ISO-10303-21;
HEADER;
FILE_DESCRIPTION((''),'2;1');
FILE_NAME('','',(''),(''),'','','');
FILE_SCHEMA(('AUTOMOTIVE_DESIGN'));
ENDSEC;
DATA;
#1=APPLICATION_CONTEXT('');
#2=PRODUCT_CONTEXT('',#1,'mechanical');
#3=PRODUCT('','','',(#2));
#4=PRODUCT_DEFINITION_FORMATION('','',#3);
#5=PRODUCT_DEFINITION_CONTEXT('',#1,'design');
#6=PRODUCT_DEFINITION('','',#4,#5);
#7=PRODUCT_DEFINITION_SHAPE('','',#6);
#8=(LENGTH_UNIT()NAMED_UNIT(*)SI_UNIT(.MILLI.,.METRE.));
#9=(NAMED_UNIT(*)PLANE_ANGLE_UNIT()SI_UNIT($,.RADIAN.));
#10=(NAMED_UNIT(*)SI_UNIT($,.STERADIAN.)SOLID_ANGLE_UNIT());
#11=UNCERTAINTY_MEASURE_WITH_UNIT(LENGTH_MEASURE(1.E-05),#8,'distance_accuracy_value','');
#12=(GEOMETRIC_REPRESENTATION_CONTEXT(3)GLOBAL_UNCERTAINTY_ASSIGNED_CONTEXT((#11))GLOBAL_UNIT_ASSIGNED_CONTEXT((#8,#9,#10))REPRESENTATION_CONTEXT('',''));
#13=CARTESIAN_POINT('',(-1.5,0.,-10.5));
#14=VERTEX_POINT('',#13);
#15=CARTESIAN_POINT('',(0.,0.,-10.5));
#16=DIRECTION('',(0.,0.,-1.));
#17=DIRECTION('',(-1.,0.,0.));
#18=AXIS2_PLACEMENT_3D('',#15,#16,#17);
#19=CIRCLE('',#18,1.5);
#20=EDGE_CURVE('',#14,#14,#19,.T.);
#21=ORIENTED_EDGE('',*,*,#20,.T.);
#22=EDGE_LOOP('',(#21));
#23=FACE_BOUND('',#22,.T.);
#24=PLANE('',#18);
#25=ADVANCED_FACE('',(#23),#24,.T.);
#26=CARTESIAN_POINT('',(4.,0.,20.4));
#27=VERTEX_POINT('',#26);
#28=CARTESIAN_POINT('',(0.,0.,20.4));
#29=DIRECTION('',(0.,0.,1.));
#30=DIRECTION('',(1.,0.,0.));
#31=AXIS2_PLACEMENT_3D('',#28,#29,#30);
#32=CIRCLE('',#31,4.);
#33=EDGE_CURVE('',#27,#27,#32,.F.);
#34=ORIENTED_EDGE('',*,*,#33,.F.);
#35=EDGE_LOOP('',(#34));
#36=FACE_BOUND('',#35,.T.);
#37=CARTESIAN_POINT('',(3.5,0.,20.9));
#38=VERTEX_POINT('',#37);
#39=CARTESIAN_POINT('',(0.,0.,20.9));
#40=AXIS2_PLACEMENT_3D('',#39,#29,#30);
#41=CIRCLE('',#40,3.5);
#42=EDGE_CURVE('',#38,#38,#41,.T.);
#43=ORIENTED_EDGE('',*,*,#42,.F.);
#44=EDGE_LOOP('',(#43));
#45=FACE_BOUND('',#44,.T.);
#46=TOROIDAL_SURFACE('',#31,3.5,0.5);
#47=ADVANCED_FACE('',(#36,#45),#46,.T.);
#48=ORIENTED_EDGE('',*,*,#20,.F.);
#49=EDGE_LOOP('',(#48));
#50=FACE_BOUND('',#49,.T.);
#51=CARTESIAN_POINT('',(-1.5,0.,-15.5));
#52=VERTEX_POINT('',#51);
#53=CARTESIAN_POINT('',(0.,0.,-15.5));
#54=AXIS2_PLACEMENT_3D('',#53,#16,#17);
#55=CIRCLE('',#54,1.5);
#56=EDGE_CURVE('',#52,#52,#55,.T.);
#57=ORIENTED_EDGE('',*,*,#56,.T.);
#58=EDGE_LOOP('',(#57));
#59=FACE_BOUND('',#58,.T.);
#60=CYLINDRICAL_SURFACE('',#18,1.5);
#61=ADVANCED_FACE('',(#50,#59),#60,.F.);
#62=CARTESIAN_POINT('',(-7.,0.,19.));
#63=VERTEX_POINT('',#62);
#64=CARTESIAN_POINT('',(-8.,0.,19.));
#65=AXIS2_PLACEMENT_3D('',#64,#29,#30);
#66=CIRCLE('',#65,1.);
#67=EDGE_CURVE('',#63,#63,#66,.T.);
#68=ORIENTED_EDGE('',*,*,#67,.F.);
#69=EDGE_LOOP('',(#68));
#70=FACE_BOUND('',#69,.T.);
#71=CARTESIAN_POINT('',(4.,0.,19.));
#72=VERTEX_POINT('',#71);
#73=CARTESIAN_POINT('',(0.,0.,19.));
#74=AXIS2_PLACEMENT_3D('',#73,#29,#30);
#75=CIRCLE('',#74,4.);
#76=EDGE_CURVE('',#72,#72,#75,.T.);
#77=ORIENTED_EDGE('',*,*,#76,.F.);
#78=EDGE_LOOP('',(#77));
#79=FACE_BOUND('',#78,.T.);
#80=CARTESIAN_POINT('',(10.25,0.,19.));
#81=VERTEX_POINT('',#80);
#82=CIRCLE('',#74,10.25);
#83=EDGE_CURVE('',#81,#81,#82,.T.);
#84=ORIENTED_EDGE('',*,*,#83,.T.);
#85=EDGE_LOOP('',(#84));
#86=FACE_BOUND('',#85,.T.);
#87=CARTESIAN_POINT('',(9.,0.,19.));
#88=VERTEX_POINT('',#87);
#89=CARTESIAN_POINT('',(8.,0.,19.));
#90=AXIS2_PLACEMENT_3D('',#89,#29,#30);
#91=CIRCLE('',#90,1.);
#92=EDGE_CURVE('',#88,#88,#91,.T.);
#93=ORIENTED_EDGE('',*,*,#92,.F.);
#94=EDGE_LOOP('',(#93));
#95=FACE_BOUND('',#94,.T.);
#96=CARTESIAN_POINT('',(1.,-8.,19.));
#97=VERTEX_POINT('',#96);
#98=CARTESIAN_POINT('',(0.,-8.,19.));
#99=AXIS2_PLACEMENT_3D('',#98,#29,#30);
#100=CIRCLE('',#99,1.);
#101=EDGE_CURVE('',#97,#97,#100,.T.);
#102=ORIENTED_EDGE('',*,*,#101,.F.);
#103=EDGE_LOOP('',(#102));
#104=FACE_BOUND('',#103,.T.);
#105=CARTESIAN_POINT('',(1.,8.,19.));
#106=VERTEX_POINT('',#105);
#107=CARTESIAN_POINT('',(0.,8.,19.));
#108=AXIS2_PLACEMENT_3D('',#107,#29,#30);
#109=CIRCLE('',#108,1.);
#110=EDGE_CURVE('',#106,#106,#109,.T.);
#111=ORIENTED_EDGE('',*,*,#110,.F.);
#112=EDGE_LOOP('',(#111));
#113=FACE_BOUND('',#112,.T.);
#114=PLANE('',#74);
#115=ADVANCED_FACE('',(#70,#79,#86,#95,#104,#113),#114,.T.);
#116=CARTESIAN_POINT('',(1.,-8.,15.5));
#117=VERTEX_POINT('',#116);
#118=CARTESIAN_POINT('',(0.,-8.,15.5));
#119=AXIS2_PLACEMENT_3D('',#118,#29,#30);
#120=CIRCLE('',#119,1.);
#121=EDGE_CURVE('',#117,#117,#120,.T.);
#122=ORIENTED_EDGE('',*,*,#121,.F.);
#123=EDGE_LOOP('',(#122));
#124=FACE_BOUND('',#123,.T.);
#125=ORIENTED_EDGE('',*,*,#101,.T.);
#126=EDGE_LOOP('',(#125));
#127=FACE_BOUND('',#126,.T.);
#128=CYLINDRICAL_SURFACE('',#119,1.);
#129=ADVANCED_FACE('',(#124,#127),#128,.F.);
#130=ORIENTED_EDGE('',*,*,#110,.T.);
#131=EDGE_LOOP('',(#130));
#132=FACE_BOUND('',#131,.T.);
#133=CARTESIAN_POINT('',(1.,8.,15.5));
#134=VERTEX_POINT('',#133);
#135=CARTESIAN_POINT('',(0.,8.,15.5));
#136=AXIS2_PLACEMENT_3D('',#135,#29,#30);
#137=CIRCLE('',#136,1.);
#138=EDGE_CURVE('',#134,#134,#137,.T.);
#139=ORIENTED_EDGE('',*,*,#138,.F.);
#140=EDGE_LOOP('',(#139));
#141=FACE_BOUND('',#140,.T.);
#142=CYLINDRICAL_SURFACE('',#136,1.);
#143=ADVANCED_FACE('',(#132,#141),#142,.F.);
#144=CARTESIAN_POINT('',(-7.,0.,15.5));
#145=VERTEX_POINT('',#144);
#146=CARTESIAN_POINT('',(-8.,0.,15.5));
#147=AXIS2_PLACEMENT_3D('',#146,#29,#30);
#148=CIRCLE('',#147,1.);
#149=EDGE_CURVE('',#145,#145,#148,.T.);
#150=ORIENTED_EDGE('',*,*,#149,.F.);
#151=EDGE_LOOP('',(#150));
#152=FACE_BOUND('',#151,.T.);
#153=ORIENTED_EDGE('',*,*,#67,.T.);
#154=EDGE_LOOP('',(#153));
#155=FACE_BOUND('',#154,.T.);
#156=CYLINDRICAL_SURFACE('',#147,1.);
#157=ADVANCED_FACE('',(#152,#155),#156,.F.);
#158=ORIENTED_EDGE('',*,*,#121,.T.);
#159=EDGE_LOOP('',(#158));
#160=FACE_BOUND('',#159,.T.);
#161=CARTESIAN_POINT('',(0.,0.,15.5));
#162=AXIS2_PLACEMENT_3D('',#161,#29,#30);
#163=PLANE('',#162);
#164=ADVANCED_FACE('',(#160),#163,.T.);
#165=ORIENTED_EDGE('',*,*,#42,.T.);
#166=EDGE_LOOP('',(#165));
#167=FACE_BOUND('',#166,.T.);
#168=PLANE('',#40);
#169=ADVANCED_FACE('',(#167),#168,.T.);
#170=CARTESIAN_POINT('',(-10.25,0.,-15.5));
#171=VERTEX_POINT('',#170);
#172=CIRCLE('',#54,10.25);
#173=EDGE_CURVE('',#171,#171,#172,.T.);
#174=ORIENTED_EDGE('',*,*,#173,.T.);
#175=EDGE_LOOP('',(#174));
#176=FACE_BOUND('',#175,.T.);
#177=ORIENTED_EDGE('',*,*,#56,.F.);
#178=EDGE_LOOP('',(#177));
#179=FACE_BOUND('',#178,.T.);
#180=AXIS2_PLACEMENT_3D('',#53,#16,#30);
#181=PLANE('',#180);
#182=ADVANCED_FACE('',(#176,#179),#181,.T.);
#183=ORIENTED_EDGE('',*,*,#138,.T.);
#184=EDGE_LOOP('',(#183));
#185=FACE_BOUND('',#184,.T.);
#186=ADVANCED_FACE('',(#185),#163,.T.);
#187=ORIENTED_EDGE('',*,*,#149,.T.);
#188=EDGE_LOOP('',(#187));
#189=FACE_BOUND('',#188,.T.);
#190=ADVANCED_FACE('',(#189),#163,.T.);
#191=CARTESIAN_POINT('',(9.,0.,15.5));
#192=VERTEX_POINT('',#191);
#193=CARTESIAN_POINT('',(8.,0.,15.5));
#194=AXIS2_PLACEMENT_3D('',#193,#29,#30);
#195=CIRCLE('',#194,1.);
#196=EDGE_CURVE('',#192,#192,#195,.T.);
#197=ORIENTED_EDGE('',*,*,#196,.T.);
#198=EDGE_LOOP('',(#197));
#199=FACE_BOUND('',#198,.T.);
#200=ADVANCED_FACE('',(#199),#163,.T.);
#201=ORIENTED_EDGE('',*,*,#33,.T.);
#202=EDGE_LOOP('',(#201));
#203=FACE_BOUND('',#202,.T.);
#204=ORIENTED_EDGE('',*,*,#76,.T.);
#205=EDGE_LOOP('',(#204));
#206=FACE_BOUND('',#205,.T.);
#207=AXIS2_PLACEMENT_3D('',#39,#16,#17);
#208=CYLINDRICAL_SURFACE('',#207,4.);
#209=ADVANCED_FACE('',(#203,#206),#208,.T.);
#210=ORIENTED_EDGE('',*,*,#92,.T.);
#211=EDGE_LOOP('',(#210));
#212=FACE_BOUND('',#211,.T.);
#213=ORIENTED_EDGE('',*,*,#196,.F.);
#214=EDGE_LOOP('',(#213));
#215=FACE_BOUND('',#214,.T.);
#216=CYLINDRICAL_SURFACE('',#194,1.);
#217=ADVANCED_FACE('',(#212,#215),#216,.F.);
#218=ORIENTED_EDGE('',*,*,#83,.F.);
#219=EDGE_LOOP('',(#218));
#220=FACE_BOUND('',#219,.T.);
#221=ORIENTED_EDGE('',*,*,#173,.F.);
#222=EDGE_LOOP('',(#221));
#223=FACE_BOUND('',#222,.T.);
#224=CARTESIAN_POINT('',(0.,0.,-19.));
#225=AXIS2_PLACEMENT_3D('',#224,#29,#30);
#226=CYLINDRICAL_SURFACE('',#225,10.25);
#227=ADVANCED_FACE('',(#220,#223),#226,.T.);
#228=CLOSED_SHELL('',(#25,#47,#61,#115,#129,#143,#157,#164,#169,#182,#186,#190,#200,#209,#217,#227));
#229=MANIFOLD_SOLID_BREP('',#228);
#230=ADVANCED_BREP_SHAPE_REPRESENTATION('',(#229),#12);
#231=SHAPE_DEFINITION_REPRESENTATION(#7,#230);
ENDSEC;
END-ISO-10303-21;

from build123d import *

# Parameters (mm, degrees)
BOSS_EXTRUDE1_DEPTH      = 19
BOSS_EXTRUDE1_DEPTH_BACK = 19
SKETCH1_R                = 10.25
SKETCH2_R                = 4
BOSS_EXTRUDE2_DEPTH      = 1.9
BOSS_EXTRUDE3_START      = 1
SKETCH3_R                = 4
BOSS_EXTRUDE3_DEPTH      = 1
SKETCH4_R                = 1
CUT_EXTRUDE1_DEPTH       = 3.5
FILLET1_R                = 0.5
CUT_EXTRUDE3_DEPTH       = 5.5
CUT_EXTRUDE3_DEPTH_BACK  = 3.5
SKETCH7_R                = 10.25
SKETCH9_R                = 1.5
CUT_EXTRUDE5_DEPTH       = 5


with BuildPart() as part:
    # Sketch1 → Boss-Extrude1 (new, two sides: drawn at the far end of the back side and taken through both)
    with BuildSketch(Plane.XY.offset(-BOSS_EXTRUDE1_DEPTH_BACK)):
        Circle(SKETCH1_R)
    extrude(amount=BOSS_EXTRUDE1_DEPTH + BOSS_EXTRUDE1_DEPTH_BACK)

    # Sketch2 → Boss-Extrude2 (add)
    with BuildSketch(Plane.XY.offset(19)):
        Circle(SKETCH2_R)
    extrude(amount=BOSS_EXTRUDE2_DEPTH)

    # Sketch3 → Boss-Extrude3 (add)
    with BuildSketch(Plane(origin=(0, 0, -19), x_dir=(-1, 0, 0), z_dir=(0, 0, -1)).offset(BOSS_EXTRUDE3_START)):
        Circle(SKETCH3_R)
    extrude(amount=-BOSS_EXTRUDE3_DEPTH)

    # Sketch4 → Cut-Extrude1 (cut)
    with BuildSketch(Plane.XY.offset(19)):
        with Locations((8, 0)):
            Circle(SKETCH4_R)
        with Locations((0, 8)):
            Circle(SKETCH4_R)
        with Locations((0, -8)):
            Circle(SKETCH4_R)
        with Locations((-8, 0)):
            Circle(SKETCH4_R)
    cut_extrude1 = extrude(amount=-CUT_EXTRUDE1_DEPTH, mode=Mode.SUBTRACT)

    # Fillet1
    fillet1_edges = [part.edges().sort_by_distance(p)[0] for p in [
        (-4, 0, 20.9),
    ]]
    fillet(fillet1_edges, radius=FILLET1_R)

    # Mirror1: Cut-Extrude1 across plane
    add(cut_extrude1.mirror(Plane(origin=(0, 0, 0), x_dir=(1, 0, 0), z_dir=(0, 0, -1))), mode=Mode.SUBTRACT)

    # Sketch7 → Cut-Extrude3 (cut, two sides: drawn at the far end of the back side and taken through both)
    with BuildSketch(Plane(origin=(0, 0, -19), x_dir=(-1, 0, 0), z_dir=(0, 0, -1)).offset(-CUT_EXTRUDE3_DEPTH_BACK)):
        Circle(SKETCH7_R)
    extrude(amount=CUT_EXTRUDE3_DEPTH + CUT_EXTRUDE3_DEPTH_BACK, mode=Mode.SUBTRACT)

    # Sketch9 → Cut-Extrude5 (cut)
    with BuildSketch(Plane(origin=(0, 0, -15.5), x_dir=(-1, 0, 0), z_dir=(0, 0, -1))):
        Circle(SKETCH9_R)
    extrude(amount=-CUT_EXTRUDE5_DEPTH, mode=Mode.SUBTRACT)


solid = part.part
